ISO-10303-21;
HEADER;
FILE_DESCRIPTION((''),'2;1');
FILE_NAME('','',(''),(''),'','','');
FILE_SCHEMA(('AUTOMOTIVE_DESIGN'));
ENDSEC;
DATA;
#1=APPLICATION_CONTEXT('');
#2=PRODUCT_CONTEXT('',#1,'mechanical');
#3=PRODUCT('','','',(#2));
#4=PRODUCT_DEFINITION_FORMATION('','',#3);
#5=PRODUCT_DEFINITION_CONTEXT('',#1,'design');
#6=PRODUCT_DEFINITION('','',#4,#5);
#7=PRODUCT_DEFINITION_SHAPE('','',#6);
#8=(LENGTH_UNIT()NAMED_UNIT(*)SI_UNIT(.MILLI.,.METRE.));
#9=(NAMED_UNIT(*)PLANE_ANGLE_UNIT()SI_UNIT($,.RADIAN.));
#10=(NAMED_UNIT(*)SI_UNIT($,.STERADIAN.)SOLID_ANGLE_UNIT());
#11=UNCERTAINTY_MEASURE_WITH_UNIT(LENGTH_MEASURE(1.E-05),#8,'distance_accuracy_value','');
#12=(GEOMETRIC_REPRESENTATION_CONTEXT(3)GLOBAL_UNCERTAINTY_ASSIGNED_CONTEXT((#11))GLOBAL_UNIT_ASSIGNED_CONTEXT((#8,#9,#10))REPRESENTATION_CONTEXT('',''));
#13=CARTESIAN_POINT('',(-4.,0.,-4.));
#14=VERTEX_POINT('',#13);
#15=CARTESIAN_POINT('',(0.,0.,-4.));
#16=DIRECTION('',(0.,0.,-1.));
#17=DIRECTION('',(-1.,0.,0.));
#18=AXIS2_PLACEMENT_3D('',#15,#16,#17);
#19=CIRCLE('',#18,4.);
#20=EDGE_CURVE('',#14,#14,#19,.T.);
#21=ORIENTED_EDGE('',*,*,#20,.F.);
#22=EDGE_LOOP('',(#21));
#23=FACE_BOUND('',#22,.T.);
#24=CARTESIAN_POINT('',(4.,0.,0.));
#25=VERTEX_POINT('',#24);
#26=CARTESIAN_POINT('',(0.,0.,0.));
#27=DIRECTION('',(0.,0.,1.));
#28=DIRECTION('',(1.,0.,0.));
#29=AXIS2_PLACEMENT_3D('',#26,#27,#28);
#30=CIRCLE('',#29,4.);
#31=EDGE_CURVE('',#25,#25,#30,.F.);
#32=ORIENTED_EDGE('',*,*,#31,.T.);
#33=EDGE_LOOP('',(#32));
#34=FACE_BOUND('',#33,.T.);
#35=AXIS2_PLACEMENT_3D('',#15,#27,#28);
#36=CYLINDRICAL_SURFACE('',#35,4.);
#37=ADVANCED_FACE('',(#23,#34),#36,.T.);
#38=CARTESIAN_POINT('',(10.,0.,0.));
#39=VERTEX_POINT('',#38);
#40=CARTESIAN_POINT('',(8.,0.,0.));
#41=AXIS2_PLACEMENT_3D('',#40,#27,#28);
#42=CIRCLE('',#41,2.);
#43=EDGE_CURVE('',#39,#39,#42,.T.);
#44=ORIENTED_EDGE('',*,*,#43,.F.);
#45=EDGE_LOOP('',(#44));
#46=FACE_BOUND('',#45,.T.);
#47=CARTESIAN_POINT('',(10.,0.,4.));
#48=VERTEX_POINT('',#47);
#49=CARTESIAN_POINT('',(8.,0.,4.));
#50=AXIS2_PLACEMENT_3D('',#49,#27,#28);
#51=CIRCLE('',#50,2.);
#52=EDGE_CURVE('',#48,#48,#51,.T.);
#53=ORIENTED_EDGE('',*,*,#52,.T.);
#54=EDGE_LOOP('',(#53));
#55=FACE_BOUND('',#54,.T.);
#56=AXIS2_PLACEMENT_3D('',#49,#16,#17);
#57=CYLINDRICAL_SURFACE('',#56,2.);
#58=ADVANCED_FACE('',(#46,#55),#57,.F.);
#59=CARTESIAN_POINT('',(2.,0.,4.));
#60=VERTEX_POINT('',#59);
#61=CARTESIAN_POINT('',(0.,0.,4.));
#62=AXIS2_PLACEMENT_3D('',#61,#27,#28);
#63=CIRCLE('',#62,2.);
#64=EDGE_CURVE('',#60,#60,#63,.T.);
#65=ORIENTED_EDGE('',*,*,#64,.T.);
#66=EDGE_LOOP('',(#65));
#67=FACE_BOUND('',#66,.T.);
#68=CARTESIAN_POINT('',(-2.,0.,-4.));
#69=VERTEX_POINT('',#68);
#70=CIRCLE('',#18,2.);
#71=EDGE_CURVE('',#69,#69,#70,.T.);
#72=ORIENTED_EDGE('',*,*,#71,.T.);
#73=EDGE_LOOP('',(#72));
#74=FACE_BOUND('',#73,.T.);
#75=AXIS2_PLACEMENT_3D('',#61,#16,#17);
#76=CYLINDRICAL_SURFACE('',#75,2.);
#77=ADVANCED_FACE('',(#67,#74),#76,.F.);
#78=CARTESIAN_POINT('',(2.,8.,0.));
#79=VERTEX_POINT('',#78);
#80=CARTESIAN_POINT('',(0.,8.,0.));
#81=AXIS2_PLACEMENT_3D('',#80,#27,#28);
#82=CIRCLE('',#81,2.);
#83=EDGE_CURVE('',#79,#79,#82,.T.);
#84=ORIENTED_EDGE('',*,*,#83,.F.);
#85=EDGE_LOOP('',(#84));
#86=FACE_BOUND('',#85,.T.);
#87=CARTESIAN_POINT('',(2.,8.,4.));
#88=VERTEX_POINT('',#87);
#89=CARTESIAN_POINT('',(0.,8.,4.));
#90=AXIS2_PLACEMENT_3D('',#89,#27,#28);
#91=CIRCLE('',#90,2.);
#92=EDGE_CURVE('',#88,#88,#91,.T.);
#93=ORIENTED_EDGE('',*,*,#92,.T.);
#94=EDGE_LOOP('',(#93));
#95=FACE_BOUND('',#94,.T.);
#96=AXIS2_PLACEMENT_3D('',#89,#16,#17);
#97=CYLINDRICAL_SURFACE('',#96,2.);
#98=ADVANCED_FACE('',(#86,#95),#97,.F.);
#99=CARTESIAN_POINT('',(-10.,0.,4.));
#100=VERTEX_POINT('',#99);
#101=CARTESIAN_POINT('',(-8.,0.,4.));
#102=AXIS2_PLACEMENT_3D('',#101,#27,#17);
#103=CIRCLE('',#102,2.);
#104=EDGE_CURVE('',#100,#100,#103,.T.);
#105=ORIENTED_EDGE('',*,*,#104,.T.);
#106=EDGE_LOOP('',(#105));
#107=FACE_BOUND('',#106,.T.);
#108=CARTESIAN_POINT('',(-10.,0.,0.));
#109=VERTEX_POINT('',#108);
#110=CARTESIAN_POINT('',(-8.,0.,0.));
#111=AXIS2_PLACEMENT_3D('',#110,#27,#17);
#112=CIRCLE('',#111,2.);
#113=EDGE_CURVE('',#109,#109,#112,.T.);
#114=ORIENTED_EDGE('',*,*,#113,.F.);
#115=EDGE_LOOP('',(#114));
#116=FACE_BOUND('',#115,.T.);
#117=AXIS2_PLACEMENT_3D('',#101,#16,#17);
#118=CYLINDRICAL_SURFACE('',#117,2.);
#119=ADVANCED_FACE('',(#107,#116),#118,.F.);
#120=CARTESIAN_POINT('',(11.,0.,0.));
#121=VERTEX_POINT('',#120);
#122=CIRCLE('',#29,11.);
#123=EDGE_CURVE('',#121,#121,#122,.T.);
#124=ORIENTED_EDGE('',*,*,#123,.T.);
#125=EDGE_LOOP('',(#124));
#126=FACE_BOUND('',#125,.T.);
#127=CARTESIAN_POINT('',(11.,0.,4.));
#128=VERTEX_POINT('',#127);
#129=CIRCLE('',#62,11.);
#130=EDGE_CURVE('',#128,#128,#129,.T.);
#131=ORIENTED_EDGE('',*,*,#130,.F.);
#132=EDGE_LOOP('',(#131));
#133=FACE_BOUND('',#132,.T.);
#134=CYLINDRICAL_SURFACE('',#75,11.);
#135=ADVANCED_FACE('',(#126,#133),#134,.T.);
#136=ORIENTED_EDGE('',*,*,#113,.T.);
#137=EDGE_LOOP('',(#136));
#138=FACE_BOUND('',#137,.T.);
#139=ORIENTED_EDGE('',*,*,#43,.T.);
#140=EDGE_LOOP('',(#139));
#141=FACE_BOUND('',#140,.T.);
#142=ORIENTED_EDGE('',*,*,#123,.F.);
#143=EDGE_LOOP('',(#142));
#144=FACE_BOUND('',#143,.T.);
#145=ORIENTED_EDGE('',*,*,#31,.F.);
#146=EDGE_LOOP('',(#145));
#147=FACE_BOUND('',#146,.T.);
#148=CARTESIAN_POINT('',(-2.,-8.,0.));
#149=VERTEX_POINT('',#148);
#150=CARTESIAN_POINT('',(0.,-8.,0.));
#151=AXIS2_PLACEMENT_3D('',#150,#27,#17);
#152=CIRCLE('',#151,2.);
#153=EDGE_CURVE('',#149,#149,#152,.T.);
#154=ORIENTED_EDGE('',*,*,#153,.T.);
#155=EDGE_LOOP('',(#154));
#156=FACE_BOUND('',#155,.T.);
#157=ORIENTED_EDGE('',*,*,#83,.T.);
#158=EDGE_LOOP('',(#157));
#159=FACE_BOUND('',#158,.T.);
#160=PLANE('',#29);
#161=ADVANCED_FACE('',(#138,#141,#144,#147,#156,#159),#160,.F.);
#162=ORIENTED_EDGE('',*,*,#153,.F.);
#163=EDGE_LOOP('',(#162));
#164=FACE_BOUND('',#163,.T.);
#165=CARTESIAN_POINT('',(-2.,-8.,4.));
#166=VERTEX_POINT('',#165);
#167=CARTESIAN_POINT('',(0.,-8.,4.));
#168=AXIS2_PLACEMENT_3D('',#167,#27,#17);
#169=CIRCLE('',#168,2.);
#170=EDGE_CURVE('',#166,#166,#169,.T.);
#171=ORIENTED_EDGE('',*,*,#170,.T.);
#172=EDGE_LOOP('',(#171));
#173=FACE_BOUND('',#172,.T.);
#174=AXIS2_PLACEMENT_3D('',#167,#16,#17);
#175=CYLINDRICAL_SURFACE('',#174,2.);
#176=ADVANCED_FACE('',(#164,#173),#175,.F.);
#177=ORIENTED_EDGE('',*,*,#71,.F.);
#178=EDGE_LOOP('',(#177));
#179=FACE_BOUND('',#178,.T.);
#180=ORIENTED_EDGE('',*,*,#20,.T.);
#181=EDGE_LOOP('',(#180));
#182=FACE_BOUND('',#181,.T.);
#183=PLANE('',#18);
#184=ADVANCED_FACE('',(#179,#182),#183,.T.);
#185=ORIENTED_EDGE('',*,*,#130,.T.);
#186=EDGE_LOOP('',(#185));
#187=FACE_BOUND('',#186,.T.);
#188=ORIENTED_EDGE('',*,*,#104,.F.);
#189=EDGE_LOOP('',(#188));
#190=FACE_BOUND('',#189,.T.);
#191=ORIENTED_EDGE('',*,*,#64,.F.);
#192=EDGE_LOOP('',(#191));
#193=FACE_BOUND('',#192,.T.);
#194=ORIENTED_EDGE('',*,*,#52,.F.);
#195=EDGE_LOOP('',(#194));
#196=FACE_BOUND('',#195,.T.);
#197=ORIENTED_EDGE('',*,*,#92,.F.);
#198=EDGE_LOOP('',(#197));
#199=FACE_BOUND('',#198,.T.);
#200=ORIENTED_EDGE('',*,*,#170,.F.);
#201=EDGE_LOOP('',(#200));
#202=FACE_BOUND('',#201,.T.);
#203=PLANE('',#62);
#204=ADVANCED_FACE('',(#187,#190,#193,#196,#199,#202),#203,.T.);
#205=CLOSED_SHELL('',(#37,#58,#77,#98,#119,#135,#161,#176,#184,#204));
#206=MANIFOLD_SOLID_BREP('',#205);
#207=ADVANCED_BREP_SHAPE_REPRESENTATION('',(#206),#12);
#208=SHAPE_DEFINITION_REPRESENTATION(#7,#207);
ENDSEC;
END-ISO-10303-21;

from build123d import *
from build123d.topology import SkipClean

# Parameters (mm, degrees)
IZIM1_R                     = 11
IZIM1_R_2                   = 2
Y_KSEKLIK_EKSTR_ZYON1_DEPTH = 4
Y_KSEKLIK_EKSTR_ZYON2_START = 4
IZIM2_R                     = 4
IZIM2_R_2                   = 2
Y_KSEKLIK_EKSTR_ZYON2_DEPTH = 4


with BuildPart() as part:
    # Çizim1 → Yükseklik-Ekstrüzyon1 (new body)
    with BuildSketch(Plane.XY):
        Circle(IZIM1_R)
        Circle(IZIM1_R_2, mode=Mode.SUBTRACT)
        with Locations((8, 0)):
            Circle(IZIM1_R_2, mode=Mode.SUBTRACT)
        with Locations((0, 8)):
            Circle(IZIM1_R_2, mode=Mode.SUBTRACT)
        with Locations(Location((-8, 0, 0), (0, 0, 180))):
            Circle(IZIM1_R_2, mode=Mode.SUBTRACT)
        with Locations(Location((0, -8, 0), (0, 0, 180))):
            Circle(IZIM1_R_2, mode=Mode.SUBTRACT)
    extrude(amount=Y_KSEKLIK_EKSTR_ZYON1_DEPTH)

    # Çizim2 → Yükseklik-Ekstrüzyon2 (add)
    with SkipClean():  # the faces are left unmerged after this step: merging them gives an invalid solid
        with BuildSketch(Plane(origin=(0, 0, 0), x_dir=(-1, 0, 0), z_dir=(0, 0, -1)).offset(Y_KSEKLIK_EKSTR_ZYON2_START)):
            with Locations(Location((0, 0, 0), (0, 0, 180))):
                Circle(IZIM2_R)
            Circle(IZIM2_R_2, mode=Mode.SUBTRACT)
        extrude(amount=-Y_KSEKLIK_EKSTR_ZYON2_DEPTH)


solid = part.part
